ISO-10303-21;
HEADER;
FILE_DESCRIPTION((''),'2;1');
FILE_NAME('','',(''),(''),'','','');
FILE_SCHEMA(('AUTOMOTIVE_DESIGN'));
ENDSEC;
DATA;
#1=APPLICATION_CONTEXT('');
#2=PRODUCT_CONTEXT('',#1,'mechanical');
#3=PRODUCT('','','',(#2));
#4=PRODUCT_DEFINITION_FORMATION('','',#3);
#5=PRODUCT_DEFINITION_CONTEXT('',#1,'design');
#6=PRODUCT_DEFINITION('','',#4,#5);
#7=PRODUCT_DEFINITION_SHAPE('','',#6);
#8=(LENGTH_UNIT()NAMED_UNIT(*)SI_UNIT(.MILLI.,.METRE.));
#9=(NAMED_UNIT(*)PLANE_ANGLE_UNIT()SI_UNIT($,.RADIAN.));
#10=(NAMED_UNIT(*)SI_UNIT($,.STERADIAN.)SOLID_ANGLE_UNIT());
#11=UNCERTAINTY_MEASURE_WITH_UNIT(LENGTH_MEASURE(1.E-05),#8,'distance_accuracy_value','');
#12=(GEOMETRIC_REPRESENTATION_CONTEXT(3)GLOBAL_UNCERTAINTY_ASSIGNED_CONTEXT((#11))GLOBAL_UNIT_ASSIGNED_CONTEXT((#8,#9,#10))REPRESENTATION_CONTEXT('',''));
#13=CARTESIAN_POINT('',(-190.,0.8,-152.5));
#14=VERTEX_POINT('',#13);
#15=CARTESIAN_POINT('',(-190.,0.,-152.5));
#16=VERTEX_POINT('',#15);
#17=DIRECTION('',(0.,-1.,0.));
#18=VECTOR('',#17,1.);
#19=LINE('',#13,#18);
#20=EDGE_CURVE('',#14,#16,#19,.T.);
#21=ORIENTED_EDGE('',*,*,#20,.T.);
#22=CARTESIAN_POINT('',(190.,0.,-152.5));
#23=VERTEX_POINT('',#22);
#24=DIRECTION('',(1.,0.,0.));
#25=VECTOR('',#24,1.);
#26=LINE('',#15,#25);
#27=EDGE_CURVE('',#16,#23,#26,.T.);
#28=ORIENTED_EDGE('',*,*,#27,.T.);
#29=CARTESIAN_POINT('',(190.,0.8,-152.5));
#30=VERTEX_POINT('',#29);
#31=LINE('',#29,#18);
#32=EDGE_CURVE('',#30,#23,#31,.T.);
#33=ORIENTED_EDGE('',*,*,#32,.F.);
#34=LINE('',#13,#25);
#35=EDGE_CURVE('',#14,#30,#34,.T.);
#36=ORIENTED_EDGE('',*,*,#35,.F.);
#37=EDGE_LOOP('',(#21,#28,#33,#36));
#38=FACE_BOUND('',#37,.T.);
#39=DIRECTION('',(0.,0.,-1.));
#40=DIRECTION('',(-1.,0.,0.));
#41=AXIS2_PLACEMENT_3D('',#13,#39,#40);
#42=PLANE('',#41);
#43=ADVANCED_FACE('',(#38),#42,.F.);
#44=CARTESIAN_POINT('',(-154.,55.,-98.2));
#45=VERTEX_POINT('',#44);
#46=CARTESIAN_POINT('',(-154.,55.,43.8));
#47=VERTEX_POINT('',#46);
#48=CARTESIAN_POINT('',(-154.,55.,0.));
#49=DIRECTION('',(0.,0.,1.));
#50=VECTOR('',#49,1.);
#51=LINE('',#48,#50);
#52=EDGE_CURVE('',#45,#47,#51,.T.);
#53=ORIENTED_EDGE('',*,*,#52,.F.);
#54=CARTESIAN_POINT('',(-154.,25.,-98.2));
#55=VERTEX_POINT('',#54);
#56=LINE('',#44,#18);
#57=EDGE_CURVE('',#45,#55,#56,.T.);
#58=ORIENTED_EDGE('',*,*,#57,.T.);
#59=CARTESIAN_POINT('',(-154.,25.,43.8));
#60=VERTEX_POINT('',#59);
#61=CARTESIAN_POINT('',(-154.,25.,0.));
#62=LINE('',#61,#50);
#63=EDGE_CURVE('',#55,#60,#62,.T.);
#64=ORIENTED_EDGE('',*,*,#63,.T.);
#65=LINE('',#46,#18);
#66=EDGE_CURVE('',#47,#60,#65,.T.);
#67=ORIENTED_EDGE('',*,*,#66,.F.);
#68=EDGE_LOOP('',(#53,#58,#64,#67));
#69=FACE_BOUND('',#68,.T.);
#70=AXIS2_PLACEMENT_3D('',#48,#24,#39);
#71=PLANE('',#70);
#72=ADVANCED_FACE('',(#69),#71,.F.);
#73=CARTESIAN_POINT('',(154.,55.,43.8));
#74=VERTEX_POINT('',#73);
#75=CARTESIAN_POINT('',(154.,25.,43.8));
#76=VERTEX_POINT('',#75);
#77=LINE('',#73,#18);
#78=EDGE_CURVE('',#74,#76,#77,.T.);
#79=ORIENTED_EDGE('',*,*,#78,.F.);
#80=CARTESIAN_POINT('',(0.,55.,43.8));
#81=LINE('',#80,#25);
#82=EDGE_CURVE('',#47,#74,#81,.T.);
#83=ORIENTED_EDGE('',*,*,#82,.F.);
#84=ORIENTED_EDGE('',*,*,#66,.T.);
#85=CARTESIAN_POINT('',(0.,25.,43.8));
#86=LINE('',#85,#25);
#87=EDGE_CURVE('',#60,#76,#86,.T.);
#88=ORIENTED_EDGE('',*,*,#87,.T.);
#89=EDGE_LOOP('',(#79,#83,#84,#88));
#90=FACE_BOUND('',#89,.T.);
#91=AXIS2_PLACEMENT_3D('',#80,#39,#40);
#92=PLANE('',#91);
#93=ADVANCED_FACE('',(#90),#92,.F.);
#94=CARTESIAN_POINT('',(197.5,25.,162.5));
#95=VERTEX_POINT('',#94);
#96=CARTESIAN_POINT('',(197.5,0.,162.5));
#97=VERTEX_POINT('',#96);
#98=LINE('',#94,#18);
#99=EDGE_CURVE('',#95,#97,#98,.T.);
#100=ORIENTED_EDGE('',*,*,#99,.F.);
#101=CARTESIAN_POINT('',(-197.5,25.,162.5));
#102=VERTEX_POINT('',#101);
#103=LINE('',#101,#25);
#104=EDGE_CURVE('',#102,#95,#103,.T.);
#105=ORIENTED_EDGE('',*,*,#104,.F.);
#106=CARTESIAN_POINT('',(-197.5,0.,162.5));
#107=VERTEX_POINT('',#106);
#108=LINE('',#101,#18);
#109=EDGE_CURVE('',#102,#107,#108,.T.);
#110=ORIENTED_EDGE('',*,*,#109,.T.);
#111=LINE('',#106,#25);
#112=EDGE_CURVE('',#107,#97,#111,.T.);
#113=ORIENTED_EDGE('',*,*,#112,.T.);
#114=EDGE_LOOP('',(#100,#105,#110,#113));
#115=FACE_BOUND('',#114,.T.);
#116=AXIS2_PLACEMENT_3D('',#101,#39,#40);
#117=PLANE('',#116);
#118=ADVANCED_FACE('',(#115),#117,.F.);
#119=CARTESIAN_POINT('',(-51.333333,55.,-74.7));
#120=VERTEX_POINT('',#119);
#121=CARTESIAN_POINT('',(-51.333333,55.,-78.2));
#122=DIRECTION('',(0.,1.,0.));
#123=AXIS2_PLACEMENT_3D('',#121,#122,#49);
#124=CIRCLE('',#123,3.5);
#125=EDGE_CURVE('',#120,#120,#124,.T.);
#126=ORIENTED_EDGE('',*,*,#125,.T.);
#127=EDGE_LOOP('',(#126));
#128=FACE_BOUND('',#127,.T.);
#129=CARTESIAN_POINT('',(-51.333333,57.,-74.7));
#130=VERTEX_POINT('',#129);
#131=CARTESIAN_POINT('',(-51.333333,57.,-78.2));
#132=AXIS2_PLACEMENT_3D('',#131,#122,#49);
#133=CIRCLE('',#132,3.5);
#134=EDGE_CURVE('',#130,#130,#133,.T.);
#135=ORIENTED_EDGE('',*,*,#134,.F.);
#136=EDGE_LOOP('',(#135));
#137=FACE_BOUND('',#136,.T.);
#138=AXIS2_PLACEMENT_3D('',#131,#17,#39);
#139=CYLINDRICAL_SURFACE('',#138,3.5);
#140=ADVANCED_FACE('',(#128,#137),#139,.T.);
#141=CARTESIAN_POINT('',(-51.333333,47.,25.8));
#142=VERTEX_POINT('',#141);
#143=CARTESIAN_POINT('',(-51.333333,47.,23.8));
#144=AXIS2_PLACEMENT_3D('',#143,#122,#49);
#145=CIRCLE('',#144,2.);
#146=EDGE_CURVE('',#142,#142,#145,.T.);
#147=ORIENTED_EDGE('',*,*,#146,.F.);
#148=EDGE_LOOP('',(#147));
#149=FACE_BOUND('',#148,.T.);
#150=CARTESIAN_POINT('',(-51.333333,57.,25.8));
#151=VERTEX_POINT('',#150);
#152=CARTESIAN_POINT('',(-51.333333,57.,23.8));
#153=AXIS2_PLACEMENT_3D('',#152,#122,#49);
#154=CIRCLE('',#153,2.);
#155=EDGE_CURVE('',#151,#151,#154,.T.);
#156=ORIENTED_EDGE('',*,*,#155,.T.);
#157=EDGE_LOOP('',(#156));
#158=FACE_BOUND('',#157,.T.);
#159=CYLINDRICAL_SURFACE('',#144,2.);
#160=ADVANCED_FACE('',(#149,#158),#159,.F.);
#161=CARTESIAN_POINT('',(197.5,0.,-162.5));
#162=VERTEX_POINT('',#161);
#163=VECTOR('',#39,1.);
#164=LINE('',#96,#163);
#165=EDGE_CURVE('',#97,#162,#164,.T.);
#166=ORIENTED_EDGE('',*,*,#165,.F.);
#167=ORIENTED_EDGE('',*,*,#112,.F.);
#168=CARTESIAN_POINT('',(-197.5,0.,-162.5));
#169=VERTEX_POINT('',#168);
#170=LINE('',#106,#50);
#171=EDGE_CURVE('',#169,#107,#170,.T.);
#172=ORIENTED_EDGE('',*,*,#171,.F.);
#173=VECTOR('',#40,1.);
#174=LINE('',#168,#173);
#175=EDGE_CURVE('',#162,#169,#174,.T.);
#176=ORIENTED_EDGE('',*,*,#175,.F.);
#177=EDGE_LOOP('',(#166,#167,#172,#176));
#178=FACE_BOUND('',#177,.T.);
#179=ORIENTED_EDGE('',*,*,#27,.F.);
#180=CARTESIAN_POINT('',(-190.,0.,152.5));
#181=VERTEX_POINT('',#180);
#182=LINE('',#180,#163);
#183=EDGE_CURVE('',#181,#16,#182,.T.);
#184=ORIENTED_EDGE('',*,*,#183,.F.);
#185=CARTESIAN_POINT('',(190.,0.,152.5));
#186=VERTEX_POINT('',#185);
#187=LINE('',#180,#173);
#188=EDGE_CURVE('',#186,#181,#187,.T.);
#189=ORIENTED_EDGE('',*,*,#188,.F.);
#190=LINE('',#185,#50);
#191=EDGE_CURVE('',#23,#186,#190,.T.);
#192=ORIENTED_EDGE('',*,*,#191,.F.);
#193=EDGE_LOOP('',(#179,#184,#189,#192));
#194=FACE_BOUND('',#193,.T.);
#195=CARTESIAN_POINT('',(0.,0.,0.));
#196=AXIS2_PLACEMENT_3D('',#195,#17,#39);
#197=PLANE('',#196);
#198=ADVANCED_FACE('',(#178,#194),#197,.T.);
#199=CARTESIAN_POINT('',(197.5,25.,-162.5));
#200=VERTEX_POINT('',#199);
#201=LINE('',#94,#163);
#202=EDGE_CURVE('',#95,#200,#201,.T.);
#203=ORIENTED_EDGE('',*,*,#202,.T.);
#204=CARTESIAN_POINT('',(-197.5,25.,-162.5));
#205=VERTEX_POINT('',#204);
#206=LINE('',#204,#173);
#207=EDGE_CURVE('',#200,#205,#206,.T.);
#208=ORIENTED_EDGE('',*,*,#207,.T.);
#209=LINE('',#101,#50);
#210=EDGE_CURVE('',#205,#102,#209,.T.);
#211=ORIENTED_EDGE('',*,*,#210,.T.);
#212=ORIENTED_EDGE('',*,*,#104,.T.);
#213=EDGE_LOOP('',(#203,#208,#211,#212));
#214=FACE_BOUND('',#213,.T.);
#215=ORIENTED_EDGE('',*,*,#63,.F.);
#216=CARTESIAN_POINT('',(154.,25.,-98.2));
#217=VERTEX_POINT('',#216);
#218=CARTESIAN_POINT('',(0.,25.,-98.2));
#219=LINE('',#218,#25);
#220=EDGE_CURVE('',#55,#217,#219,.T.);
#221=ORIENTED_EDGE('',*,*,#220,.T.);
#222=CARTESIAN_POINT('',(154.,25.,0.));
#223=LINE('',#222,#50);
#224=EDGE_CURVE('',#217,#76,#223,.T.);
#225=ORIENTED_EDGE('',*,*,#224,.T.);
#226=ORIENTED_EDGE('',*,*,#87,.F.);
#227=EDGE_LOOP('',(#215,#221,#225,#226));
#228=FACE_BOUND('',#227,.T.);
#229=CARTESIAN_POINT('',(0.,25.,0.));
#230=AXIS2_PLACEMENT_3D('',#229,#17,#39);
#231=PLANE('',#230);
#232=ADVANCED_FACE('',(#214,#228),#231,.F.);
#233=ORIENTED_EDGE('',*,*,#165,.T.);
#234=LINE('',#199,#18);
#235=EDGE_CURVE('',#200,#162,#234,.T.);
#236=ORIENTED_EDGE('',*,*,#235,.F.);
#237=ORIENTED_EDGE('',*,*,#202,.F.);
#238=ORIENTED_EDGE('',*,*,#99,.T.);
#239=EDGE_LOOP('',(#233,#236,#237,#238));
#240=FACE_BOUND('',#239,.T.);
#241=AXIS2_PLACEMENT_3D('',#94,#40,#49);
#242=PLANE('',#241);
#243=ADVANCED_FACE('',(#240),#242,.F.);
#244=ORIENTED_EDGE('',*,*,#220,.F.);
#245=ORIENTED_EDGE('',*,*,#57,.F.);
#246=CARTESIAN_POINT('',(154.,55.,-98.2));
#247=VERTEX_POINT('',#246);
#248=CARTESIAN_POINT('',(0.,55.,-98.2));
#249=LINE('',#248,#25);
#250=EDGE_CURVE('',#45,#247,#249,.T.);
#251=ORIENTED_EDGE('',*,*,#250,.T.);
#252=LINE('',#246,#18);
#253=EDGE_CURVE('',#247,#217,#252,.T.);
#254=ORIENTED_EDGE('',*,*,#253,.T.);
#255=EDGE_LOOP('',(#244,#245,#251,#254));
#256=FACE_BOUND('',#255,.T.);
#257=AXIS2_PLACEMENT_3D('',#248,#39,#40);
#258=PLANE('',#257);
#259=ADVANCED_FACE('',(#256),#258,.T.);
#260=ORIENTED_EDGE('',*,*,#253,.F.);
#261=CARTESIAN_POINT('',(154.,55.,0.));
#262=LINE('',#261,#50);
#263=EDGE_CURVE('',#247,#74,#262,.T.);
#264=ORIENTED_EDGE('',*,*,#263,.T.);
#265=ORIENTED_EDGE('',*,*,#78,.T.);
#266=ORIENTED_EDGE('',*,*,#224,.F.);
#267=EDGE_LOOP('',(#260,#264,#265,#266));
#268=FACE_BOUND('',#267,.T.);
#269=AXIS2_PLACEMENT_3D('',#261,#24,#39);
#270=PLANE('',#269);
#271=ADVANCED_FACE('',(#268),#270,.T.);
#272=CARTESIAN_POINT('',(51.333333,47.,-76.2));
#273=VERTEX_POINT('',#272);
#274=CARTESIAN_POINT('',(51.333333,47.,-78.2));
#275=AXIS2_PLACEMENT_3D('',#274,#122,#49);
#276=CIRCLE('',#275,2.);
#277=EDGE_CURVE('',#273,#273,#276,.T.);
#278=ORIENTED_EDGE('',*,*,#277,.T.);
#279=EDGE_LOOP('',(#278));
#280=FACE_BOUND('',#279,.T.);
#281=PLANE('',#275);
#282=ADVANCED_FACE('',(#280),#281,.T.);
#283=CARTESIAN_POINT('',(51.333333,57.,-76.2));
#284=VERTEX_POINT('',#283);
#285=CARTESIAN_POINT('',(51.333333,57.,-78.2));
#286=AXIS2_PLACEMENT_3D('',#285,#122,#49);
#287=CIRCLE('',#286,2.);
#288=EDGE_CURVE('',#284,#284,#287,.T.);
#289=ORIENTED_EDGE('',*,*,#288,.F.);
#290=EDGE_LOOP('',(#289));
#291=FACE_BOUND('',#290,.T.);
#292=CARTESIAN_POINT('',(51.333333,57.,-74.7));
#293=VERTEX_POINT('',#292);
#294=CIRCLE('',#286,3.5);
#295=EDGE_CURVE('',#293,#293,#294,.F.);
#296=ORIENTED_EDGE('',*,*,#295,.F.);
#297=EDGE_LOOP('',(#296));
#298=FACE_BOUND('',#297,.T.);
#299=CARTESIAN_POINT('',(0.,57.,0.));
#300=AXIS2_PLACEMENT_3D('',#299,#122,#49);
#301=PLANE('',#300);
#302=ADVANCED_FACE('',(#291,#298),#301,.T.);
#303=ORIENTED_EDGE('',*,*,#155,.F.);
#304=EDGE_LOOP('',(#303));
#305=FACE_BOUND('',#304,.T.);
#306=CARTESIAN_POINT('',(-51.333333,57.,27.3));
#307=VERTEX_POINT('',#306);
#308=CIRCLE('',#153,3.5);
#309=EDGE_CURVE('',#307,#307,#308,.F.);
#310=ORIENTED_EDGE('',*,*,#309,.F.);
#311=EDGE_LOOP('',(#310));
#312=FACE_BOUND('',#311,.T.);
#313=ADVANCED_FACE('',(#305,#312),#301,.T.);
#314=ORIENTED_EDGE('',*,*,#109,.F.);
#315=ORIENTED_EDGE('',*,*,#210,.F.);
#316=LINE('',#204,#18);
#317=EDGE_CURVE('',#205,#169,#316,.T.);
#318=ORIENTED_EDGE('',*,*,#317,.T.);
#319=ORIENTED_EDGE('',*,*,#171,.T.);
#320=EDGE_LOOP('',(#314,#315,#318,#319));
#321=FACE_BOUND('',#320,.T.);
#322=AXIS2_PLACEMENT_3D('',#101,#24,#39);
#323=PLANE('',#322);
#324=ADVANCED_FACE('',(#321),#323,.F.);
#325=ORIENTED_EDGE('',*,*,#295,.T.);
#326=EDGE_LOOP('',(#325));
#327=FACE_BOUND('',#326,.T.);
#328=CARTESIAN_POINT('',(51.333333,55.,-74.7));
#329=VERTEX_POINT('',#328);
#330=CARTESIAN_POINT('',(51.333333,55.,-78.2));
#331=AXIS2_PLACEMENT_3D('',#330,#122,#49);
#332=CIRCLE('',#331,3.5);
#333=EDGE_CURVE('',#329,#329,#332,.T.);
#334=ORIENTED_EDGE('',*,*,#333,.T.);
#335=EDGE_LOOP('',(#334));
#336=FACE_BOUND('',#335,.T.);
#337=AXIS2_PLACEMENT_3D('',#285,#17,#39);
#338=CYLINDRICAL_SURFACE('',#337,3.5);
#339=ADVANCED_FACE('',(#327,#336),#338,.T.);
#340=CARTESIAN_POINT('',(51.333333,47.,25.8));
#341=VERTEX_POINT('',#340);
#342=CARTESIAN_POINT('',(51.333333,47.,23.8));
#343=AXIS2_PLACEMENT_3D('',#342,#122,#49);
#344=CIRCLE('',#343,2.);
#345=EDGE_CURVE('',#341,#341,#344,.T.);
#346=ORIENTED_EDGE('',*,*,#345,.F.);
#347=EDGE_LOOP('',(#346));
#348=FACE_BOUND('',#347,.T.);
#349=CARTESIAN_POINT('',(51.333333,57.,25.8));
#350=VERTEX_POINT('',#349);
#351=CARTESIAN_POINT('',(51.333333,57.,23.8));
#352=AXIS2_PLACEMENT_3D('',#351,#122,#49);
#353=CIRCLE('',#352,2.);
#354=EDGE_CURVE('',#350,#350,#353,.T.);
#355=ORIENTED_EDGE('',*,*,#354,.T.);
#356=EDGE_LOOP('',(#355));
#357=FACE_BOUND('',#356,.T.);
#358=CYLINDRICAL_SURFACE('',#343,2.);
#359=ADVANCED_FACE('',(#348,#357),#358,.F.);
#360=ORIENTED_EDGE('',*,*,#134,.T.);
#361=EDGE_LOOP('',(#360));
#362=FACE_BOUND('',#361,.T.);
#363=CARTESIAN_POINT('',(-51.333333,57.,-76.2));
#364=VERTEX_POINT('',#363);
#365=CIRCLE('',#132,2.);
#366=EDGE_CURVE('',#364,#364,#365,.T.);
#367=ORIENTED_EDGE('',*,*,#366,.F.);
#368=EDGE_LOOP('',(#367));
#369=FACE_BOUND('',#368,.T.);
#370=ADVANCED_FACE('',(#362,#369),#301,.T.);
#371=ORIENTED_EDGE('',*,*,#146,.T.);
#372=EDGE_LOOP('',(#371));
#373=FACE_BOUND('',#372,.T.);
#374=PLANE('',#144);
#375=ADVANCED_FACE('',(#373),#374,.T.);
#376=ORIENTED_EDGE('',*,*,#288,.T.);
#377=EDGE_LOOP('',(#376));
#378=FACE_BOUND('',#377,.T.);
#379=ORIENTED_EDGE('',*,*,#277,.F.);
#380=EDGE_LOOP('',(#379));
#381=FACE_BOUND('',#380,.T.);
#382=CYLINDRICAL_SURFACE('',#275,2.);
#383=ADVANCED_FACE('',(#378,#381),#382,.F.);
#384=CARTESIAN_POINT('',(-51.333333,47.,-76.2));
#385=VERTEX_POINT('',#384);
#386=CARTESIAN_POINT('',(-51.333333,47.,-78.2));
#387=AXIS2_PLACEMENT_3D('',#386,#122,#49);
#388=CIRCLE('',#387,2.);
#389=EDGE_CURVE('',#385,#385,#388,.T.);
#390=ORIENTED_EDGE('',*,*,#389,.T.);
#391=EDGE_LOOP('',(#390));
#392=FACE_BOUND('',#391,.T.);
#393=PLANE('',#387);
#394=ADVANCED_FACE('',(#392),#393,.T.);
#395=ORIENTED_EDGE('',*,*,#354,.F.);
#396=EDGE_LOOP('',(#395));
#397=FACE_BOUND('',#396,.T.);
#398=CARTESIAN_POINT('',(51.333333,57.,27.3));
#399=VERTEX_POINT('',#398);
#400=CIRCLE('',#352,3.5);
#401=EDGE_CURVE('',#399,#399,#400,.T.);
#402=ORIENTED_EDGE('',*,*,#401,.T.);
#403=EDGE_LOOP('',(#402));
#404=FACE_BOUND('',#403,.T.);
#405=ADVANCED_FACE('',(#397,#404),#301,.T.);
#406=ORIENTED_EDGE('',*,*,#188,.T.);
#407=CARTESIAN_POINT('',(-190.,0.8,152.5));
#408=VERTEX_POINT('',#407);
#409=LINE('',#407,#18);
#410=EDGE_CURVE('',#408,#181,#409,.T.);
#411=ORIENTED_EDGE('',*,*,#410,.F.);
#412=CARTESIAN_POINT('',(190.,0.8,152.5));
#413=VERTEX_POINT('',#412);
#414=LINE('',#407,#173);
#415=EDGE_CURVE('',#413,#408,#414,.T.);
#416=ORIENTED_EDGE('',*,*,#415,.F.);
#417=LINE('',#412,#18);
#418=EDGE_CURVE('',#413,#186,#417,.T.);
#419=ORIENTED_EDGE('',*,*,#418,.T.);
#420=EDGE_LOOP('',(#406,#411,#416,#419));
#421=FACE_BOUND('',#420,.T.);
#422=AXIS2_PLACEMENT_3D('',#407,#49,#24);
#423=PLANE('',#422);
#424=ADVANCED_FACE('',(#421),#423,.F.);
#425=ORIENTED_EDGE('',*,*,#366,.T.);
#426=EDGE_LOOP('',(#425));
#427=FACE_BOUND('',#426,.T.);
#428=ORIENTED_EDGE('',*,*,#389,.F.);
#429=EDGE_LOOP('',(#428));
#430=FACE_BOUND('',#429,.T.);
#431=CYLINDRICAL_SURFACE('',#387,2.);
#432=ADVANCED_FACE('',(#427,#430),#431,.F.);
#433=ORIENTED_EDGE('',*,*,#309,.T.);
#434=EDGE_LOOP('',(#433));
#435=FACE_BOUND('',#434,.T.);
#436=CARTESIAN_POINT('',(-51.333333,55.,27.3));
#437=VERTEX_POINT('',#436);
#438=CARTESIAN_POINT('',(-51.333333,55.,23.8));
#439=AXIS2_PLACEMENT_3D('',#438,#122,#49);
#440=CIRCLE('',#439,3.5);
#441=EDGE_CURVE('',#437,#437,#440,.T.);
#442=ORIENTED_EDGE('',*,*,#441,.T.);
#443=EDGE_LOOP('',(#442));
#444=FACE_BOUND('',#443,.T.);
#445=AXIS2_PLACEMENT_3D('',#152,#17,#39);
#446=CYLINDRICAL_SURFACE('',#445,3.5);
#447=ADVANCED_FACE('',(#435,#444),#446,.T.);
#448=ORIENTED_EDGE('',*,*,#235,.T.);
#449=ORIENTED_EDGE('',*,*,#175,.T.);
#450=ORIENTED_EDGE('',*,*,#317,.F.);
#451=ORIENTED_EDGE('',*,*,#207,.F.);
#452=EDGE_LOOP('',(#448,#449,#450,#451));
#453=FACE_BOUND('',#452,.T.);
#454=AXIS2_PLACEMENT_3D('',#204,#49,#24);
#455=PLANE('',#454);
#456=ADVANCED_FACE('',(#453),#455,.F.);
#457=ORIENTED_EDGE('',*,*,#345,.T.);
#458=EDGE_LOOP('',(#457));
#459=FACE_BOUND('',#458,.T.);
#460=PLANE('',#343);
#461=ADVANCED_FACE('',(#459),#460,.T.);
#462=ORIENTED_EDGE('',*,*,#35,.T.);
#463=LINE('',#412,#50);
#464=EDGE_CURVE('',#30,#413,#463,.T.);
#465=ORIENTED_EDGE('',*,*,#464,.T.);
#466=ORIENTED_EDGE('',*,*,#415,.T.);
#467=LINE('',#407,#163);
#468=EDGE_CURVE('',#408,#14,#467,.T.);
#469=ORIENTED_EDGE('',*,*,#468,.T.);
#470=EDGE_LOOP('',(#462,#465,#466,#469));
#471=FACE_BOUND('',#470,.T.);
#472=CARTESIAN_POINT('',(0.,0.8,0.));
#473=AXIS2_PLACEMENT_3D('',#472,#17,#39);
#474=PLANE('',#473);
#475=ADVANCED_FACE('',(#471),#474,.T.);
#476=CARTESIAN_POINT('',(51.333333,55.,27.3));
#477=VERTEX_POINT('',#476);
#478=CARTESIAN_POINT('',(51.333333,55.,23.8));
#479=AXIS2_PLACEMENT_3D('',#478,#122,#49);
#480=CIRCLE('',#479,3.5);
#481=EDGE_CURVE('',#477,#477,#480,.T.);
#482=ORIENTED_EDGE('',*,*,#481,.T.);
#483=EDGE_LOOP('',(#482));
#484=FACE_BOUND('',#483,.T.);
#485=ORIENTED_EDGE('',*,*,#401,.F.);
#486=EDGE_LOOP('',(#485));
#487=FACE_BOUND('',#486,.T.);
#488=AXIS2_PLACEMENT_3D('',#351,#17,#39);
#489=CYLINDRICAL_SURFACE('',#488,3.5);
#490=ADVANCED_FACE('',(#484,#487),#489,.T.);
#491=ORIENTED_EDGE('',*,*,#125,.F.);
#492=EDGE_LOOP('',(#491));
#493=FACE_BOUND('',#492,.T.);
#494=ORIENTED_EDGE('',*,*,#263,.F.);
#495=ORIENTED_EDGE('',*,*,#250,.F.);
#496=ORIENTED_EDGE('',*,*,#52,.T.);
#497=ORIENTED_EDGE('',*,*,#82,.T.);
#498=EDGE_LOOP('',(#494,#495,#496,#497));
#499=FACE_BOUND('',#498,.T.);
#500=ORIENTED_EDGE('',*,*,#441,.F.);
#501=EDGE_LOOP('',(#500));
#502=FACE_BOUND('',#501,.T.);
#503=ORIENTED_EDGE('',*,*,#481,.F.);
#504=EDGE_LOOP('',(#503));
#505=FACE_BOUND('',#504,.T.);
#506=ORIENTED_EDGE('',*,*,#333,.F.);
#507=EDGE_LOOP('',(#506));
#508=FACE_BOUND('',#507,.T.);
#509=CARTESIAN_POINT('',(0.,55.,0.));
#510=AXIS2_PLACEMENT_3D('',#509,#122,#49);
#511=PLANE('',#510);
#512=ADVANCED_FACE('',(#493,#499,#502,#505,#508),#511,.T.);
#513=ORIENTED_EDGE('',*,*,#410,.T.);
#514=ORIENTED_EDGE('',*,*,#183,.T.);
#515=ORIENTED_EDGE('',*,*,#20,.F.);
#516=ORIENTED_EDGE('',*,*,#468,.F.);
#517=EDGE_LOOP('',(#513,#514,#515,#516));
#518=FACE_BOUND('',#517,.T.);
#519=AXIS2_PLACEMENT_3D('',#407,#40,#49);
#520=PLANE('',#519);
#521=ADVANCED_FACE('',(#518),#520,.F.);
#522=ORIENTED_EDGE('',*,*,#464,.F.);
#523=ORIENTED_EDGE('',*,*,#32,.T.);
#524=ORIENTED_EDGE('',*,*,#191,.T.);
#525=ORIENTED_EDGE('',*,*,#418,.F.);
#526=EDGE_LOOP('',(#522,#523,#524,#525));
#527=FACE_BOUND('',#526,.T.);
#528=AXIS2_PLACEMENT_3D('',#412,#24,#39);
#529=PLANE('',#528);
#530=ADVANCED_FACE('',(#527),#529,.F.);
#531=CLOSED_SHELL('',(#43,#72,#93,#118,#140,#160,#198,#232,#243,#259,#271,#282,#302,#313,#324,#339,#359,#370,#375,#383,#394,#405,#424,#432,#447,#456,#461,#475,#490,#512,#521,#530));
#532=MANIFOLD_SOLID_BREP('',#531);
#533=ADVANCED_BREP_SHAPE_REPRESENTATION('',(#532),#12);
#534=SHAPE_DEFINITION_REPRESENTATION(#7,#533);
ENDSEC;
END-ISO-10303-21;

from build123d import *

# Parameters (mm, degrees)
SKETCH1_W           = 395
SKETCH1_H           = 325
BOSS_EXTRUDE1_DEPTH = 25
SKETCH2_W           = 380
SKETCH2_H           = 305
CUT_EXTRUDE1_DEPTH  = 0.8
SKETCH3_W           = 308
SKETCH3_H           = 142
SKETCH3_R           = 3.5
BOSS_EXTRUDE3_DEPTH = 30
SKETCH3_3_R         = 3.5
BOSS_EXTRUDE4_DEPTH = 32
SKETCH4_R           = 2
CUT_EXTRUDE2_DEPTH  = 10


with BuildPart() as part:
    # Sketch1 → Boss-Extrude1 (new body)
    with BuildSketch(Plane(origin=(0, 0, 0), x_dir=(1, 0, 0), z_dir=(0, 1, 0))):
        Rectangle(SKETCH1_W, SKETCH1_H)
    extrude(amount=BOSS_EXTRUDE1_DEPTH)

    # Sketch2 → Cut-Extrude1 (cut)
    with BuildSketch(Plane.XZ):
        Rectangle(SKETCH2_W, SKETCH2_H)
    extrude(amount=-CUT_EXTRUDE1_DEPTH, mode=Mode.SUBTRACT)

    # Sketch3 → Boss-Extrude3 (add)
    with BuildSketch(Plane(origin=(0, 25, 0), x_dir=(1, 0, 0), z_dir=(0, 1, 0))):
        with Locations((0, 27.2)):
            Rectangle(SKETCH3_W, SKETCH3_H)
        with Locations((-51.333333333, -23.8)):
            Circle(SKETCH3_R, mode=Mode.SUBTRACT)
        with Locations((51.333333333, -23.8)):
            Circle(SKETCH3_R, mode=Mode.SUBTRACT)
        with Locations((-51.333333333, 78.2)):
            Circle(SKETCH3_R, mode=Mode.SUBTRACT)
        with Locations((51.333333333, 78.2)):
            Circle(SKETCH3_R, mode=Mode.SUBTRACT)
    extrude(amount=BOSS_EXTRUDE3_DEPTH)

    # Sketch3<3> → Boss-Extrude4 (add)
    with BuildSketch(Plane(origin=(0, 25, 0), x_dir=(1, 0, 0), z_dir=(0, 1, 0))):
        with Locations((-51.333333333, 78.2)):
            Circle(SKETCH3_3_R)
        with Locations((51.333333333, 78.2)):
            Circle(SKETCH3_3_R)
        with Locations((51.333333333, -23.8)):
            Circle(SKETCH3_3_R)
        with Locations((-51.333333333, -23.8)):
            Circle(SKETCH3_3_R)
    extrude(amount=BOSS_EXTRUDE4_DEPTH)

    # Sketch4 → Cut-Extrude2 (cut)
    with BuildSketch(Plane(origin=(0, 57, 0), x_dir=(1, 0, 0), z_dir=(0, 1, 0))):
        with Locations((-51.333333333, 78.2)):
            Circle(SKETCH4_R)
        with Locations((51.333333333, 78.2)):
            Circle(SKETCH4_R)
        with Locations((-51.333333333, -23.8)):
            Circle(SKETCH4_R)
        with Locations((51.333333333, -23.8)):
            Circle(SKETCH4_R)
    extrude(amount=-CUT_EXTRUDE2_DEPTH, mode=Mode.SUBTRACT)


solid = part.part
